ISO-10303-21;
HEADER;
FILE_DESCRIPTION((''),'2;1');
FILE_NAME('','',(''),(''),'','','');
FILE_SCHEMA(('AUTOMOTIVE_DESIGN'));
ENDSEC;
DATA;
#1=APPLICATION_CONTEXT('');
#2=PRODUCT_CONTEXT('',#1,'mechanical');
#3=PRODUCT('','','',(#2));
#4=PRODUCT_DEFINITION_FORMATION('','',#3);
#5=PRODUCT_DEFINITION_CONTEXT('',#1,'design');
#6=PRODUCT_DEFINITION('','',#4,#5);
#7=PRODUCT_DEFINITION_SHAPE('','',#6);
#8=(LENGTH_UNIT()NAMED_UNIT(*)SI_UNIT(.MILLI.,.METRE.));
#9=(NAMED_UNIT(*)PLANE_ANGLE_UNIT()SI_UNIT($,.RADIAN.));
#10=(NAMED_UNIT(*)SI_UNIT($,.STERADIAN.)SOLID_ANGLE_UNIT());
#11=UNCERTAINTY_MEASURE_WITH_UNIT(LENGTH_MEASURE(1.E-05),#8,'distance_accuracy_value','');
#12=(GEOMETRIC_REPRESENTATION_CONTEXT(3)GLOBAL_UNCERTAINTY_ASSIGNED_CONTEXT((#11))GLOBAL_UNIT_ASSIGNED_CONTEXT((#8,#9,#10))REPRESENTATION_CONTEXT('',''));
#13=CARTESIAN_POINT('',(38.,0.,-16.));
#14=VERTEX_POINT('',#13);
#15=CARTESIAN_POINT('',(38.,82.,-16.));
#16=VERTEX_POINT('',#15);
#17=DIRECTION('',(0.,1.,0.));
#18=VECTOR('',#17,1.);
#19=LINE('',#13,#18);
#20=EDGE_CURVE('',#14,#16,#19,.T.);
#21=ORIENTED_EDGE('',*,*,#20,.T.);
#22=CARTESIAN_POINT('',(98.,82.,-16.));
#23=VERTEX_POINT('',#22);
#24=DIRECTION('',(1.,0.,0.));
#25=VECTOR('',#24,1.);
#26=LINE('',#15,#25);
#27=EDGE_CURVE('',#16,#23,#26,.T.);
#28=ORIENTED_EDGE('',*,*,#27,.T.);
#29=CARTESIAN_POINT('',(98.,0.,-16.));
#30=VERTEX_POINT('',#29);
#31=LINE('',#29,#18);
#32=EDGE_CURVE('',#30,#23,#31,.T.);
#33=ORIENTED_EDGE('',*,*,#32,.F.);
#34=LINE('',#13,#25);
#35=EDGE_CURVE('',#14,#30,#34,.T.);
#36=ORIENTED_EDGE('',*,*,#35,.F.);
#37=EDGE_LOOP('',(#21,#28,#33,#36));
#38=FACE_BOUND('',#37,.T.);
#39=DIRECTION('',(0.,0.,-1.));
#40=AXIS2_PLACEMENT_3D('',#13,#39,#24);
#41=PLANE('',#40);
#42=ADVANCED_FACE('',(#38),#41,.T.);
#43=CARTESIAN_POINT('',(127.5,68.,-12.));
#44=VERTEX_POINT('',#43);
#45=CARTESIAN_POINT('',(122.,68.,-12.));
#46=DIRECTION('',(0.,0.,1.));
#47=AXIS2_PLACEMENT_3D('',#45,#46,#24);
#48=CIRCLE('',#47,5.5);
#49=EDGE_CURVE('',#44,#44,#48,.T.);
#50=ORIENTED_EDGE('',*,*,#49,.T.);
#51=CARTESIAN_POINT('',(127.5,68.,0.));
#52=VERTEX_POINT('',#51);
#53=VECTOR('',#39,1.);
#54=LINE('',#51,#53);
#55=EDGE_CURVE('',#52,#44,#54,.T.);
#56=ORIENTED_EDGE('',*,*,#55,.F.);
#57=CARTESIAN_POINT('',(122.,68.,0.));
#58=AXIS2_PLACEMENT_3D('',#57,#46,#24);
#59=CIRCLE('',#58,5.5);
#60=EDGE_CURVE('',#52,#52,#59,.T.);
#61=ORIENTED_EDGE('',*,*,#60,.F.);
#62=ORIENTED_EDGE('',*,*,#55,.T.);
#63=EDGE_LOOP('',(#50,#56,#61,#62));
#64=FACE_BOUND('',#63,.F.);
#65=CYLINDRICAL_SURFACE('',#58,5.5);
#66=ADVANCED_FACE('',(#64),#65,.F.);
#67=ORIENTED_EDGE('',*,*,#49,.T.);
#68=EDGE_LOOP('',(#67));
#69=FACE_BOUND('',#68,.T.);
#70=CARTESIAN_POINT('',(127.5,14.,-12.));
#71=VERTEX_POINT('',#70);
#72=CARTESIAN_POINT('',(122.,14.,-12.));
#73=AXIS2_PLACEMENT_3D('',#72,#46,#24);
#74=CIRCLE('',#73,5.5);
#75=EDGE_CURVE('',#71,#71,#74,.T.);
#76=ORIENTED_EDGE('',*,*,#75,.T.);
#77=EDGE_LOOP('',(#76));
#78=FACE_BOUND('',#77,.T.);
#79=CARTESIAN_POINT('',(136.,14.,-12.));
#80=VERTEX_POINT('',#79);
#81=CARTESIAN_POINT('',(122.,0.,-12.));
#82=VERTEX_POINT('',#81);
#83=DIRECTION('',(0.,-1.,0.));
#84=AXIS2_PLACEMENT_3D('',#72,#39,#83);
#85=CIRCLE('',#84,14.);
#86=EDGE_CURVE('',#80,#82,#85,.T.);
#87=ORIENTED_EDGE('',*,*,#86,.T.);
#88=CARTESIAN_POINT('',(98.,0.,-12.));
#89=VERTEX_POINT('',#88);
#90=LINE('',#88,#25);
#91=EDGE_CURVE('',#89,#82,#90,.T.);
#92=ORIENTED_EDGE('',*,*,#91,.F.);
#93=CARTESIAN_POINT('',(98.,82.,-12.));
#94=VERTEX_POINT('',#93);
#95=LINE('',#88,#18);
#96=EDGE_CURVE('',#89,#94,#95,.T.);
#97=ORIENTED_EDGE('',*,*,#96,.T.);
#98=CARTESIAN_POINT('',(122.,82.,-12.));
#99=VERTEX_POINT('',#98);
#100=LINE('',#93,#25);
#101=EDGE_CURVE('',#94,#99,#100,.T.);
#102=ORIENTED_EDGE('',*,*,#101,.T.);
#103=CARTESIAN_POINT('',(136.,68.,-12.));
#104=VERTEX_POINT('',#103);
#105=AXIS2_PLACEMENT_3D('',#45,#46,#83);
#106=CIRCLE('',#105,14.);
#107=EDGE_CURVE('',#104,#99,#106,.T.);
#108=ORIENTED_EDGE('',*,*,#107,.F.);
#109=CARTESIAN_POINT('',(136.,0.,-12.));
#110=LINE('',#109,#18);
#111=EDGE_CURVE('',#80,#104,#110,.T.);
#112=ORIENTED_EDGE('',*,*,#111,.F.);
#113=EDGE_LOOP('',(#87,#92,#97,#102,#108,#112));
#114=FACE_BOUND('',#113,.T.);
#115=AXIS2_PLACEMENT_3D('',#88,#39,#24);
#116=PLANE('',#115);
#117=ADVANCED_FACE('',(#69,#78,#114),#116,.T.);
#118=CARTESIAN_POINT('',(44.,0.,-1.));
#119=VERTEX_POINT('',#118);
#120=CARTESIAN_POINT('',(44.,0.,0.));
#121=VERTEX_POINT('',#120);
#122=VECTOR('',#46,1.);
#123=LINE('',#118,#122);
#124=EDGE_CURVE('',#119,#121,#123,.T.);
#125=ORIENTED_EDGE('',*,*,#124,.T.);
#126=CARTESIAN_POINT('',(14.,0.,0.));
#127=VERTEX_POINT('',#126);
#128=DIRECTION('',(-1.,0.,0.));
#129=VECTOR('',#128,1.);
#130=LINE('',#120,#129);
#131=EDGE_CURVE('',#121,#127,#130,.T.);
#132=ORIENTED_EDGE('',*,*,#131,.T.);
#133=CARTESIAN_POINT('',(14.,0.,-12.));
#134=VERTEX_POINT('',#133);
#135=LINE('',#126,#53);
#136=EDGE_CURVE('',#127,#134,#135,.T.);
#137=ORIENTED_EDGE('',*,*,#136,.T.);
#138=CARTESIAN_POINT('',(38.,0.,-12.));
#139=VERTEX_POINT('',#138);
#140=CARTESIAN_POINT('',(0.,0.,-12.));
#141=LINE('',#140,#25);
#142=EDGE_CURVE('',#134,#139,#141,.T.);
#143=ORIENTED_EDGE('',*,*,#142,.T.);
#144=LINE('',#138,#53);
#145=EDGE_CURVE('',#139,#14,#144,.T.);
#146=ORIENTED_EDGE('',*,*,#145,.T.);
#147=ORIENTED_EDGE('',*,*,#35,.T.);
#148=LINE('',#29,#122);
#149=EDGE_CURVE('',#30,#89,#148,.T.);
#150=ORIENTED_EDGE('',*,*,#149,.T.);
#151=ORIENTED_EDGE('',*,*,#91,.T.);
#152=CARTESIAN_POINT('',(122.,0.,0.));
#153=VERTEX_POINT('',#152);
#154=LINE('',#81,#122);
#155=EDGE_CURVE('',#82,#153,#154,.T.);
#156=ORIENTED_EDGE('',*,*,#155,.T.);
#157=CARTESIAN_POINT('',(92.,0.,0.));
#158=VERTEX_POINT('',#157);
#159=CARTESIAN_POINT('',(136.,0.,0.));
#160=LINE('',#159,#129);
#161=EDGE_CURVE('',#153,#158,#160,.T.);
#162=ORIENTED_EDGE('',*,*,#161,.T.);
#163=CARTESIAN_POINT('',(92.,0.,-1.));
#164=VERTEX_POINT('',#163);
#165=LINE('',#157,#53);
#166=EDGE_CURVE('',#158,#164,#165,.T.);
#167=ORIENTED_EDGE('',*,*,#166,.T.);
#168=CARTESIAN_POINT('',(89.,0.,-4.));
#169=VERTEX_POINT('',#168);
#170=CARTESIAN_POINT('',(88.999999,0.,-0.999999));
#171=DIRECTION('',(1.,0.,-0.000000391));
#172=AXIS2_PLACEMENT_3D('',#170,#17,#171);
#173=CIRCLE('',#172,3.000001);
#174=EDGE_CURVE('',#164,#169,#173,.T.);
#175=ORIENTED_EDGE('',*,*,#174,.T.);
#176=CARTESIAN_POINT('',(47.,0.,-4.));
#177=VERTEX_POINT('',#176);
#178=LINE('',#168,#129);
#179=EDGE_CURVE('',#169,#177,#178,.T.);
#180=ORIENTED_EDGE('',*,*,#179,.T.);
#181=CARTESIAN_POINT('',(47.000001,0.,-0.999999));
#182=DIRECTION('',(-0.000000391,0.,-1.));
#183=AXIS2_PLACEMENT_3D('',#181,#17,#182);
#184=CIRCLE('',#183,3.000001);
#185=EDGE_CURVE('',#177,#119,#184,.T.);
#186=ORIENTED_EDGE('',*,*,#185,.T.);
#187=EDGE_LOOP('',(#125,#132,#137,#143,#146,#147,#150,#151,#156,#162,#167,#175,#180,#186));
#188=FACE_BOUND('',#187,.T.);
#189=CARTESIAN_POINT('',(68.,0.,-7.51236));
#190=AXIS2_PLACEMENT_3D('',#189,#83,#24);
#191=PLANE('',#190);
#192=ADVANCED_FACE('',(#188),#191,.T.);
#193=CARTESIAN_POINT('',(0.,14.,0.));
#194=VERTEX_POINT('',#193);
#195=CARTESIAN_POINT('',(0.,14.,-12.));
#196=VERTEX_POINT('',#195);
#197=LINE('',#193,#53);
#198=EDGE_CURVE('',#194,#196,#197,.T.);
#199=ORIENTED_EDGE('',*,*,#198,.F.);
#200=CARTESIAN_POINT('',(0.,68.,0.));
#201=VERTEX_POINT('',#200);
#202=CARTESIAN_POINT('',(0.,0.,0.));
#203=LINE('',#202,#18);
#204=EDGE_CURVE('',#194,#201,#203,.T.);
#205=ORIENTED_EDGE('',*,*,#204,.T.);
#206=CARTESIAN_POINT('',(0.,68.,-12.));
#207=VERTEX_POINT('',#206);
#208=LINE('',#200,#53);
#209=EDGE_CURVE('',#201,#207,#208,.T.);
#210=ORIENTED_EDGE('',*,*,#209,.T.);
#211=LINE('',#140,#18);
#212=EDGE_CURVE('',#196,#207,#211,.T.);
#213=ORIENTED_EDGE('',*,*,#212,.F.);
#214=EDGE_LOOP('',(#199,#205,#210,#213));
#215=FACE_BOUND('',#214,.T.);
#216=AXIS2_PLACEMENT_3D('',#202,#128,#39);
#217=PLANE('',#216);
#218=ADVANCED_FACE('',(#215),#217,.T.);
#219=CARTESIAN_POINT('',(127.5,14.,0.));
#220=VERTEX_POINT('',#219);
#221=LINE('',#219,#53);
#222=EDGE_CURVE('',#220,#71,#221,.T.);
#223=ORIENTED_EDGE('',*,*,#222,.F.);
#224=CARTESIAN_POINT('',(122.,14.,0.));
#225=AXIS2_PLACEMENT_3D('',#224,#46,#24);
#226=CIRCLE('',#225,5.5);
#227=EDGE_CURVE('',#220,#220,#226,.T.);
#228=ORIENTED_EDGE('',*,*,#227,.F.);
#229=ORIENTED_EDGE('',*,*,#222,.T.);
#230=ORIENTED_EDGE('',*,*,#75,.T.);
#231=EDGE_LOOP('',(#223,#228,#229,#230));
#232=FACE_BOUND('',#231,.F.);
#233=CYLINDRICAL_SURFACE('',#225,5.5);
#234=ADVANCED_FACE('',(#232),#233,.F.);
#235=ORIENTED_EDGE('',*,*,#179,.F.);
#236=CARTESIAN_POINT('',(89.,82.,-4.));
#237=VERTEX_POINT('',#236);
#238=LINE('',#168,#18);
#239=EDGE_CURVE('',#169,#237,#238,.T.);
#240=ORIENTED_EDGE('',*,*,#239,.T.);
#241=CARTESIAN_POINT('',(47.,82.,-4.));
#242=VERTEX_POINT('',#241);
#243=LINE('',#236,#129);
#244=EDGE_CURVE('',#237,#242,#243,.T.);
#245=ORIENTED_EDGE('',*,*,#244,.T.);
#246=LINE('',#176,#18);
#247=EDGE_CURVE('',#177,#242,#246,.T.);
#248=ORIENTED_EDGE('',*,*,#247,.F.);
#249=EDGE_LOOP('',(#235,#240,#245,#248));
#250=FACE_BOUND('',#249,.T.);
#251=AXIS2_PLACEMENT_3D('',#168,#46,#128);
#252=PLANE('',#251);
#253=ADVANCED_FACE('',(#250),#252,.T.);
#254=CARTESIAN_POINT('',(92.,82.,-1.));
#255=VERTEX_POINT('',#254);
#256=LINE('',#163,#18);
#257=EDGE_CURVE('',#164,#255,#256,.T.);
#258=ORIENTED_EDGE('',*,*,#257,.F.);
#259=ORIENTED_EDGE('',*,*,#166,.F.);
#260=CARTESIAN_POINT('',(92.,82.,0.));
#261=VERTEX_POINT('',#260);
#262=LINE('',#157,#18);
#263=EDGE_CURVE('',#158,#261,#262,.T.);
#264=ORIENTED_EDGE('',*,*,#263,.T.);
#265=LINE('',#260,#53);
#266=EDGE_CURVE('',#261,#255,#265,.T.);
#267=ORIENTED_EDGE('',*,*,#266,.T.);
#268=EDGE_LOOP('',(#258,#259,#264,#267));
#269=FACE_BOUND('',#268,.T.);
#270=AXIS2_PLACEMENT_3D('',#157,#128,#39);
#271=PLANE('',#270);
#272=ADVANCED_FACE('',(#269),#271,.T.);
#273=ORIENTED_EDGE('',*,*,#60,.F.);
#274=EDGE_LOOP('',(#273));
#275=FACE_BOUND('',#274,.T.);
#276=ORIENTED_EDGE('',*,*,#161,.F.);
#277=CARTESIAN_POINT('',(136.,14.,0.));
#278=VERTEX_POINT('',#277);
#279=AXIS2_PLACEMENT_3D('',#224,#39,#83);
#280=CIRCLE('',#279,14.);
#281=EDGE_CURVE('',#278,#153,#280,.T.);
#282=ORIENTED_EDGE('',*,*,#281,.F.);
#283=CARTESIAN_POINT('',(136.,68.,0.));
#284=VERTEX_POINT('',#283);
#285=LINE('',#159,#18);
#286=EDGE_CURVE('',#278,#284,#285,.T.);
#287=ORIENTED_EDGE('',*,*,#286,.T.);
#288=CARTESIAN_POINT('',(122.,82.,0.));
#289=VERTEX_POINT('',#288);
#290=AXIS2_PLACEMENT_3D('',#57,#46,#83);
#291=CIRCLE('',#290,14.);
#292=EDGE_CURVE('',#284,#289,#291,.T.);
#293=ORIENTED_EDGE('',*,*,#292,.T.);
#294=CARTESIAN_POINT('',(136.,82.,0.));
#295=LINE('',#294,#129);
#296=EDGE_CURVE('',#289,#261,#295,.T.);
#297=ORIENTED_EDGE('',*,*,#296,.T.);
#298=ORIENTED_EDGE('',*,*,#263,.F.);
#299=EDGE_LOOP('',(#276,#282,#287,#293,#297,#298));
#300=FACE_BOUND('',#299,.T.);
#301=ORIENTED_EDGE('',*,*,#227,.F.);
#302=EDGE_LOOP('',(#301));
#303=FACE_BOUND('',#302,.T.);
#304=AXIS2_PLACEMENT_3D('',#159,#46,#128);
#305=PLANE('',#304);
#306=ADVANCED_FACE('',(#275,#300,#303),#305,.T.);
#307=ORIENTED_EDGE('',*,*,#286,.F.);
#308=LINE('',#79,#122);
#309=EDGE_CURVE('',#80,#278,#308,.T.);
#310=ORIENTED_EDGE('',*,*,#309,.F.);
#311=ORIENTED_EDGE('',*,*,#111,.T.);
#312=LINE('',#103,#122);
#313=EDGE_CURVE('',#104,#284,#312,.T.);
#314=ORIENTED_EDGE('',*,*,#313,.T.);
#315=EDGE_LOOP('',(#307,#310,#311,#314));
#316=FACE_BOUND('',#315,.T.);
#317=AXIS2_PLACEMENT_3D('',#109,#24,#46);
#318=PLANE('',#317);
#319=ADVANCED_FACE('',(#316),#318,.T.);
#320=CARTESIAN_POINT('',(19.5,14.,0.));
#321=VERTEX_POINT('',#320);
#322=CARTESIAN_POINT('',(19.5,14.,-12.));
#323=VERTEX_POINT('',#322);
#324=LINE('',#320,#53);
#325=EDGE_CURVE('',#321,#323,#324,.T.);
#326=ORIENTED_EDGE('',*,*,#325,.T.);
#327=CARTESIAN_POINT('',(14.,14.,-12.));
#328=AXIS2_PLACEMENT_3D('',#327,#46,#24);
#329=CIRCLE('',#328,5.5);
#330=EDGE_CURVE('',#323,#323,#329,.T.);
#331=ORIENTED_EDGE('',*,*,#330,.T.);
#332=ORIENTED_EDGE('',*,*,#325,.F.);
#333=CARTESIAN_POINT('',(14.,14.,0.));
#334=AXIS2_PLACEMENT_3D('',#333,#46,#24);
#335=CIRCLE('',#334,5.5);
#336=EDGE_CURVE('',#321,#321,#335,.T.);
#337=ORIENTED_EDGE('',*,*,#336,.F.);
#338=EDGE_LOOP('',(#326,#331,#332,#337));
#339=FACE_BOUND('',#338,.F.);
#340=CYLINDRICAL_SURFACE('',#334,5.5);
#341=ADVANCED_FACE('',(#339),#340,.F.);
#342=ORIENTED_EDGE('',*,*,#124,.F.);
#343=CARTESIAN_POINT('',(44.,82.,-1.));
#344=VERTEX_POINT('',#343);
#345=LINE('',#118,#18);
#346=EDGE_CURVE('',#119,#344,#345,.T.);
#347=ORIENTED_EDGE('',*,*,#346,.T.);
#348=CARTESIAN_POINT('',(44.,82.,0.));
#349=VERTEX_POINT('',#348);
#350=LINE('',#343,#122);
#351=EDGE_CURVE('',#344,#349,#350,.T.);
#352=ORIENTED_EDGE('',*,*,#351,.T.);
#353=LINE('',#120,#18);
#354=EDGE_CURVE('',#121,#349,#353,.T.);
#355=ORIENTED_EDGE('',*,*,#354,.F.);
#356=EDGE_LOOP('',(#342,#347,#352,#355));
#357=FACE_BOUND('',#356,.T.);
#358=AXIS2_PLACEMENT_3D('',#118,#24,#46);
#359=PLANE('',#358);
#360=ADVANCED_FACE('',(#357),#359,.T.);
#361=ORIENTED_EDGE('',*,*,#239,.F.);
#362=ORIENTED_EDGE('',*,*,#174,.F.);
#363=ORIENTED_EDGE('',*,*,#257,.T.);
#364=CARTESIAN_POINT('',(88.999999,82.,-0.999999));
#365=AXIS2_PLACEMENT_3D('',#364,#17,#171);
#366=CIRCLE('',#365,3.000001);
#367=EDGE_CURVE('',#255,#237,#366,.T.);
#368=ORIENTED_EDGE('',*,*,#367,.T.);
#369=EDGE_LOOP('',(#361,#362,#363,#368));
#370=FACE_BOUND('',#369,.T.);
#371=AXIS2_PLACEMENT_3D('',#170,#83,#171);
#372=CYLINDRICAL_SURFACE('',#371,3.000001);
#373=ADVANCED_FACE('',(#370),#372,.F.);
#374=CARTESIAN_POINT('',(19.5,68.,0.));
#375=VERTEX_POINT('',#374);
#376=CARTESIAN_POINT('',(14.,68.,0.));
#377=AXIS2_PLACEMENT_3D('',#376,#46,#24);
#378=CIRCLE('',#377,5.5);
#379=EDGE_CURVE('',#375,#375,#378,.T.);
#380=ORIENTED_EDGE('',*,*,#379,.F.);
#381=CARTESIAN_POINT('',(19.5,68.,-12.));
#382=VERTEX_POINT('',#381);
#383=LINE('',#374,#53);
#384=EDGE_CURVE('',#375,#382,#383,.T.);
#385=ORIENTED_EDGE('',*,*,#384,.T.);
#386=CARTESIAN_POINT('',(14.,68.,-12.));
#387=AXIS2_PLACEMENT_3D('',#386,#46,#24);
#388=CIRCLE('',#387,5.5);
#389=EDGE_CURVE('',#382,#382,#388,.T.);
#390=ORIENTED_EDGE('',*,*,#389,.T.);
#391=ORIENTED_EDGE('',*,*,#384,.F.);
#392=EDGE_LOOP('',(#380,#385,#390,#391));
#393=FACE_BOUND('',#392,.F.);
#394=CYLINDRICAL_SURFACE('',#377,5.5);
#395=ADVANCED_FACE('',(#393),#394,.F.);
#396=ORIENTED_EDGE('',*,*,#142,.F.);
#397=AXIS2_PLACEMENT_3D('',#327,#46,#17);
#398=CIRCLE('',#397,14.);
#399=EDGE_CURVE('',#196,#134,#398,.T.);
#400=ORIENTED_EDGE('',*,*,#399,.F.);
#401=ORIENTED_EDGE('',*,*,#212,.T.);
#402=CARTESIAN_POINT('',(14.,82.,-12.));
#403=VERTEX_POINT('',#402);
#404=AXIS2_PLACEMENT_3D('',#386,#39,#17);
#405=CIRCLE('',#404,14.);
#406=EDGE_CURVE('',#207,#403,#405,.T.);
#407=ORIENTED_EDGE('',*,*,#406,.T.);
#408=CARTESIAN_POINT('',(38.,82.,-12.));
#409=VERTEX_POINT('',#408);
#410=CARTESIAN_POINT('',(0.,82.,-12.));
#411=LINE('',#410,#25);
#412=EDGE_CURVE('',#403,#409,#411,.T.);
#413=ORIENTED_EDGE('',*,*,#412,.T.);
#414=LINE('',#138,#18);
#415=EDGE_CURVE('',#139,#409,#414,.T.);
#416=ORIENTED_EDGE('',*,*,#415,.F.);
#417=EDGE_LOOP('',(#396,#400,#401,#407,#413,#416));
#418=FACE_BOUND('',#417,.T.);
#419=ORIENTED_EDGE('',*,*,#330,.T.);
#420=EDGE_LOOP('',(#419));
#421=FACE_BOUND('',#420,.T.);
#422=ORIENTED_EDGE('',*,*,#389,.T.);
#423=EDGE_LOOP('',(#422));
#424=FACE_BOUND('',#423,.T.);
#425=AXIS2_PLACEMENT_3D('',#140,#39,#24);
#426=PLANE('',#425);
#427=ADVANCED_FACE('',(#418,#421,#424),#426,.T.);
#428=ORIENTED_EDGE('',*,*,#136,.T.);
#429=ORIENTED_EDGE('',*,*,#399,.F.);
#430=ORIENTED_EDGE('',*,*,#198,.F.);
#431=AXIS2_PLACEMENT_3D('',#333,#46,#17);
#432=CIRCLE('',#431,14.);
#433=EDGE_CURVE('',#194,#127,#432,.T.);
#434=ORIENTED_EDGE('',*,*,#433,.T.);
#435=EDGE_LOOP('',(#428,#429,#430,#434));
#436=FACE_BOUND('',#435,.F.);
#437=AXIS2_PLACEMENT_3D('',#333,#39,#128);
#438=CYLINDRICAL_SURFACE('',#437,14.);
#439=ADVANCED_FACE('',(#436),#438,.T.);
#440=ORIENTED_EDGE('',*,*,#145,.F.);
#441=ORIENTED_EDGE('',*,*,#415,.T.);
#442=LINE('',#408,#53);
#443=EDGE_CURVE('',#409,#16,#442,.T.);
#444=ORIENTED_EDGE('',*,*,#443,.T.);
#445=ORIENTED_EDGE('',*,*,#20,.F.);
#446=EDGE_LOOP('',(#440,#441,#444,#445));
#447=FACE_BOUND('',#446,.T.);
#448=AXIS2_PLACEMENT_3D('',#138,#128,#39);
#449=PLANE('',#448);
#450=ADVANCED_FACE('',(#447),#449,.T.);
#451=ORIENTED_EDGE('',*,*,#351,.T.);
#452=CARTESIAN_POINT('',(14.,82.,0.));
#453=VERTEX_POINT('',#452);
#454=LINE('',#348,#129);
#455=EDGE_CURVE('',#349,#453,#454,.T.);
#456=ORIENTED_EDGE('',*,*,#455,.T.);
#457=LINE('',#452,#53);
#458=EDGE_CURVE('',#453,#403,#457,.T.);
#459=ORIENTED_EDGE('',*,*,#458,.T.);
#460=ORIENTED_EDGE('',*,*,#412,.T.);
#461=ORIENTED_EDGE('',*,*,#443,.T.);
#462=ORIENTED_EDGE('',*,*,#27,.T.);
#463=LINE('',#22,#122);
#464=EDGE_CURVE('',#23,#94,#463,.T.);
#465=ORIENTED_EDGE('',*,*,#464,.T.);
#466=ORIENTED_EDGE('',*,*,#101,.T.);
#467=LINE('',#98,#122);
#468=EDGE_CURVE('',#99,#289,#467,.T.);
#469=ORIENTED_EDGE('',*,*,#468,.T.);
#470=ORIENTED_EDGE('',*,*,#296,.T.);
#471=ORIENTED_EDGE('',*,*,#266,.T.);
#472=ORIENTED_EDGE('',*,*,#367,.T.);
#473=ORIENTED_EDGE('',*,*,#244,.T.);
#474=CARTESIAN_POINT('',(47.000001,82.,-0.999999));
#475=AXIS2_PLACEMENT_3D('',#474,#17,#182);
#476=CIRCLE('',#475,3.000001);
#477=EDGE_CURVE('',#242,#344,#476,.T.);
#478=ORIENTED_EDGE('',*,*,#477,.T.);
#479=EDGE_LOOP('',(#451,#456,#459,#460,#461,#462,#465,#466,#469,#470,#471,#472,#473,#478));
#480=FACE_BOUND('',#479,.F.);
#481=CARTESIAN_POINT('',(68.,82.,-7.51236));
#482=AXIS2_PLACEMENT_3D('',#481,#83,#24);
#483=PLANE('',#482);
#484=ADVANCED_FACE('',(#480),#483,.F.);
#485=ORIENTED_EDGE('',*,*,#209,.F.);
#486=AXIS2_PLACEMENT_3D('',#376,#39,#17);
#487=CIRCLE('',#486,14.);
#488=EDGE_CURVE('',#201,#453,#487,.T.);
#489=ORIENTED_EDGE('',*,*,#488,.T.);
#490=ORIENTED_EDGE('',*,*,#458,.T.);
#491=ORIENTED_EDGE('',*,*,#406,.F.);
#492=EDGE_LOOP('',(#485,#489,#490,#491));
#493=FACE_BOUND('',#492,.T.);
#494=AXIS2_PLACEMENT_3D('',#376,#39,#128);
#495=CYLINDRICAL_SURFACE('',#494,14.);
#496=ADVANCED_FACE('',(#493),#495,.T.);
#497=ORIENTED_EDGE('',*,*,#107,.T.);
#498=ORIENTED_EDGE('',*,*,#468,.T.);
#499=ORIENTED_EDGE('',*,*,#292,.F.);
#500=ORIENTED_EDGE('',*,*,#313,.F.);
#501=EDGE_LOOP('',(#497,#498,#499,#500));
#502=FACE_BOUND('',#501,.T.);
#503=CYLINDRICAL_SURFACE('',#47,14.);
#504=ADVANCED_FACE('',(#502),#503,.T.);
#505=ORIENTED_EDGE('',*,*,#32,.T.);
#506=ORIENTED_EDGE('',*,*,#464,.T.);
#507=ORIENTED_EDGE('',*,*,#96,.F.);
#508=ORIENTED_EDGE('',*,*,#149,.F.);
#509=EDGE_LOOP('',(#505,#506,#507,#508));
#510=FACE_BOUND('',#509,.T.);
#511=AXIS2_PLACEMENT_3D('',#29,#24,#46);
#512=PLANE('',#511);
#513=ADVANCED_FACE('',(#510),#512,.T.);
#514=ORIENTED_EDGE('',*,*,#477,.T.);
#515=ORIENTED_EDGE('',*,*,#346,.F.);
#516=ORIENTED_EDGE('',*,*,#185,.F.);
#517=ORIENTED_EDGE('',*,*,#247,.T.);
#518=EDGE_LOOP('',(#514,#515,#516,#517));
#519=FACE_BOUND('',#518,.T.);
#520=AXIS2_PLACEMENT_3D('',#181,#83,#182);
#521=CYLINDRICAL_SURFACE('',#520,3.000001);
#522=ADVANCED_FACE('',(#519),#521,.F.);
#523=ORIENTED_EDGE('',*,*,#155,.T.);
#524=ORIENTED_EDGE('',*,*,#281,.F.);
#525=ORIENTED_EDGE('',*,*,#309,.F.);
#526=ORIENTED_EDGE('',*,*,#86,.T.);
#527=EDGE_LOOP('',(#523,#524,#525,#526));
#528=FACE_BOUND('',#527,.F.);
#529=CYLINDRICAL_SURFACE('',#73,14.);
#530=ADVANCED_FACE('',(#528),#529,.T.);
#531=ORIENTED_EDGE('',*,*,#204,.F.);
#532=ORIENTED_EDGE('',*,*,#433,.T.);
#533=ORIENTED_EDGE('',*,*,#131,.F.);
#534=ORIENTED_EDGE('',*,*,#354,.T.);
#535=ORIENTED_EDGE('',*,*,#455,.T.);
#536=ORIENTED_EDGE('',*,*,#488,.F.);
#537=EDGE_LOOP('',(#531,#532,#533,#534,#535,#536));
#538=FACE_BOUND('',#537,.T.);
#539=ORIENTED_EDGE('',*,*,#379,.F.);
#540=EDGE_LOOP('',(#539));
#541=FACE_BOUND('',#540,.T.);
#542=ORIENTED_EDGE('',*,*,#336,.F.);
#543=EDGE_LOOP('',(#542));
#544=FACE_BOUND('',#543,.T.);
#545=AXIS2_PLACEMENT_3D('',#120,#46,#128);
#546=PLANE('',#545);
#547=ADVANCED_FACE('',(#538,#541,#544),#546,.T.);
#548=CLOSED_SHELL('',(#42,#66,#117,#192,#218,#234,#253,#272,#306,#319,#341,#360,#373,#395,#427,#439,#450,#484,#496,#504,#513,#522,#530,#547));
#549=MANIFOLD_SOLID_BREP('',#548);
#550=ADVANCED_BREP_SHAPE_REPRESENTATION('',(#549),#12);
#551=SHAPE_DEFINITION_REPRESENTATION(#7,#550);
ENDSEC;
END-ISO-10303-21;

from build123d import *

# Parameters (mm, degrees)
F1_DEPTH = 82
F2_R     = 14
F3_R     = 5.5
F4_DEPTH = 25


with BuildPart() as f1:
    # F0 (on Front) → F1 (new body)
    with BuildSketch(Plane.XZ):
        with BuildLine():
            Line((44, 0), (0, 0))
            Line((0, 0), (0, -12))
            Line((0, -12), (38, -12))
            Line((38, -12), (38, -16))
            Line((38, -16), (98, -16))
            Line((98, -16), (98, -12))
            Line((98, -12), (136, -12))
            Line((136, -12), (136, 0))
            Line((136, 0), (92, 0))
            Line((92, 0), (92, -1))
            ThreePointArc((92, -1), (91.12132, -3.12132), (89, -4))
            Line((89, -4), (47, -4))
            ThreePointArc((47, -4), (44.87868, -3.12132), (44, -1))
            Line((44, -1), (44, 0))
        make_face()
    extrude(amount=-F1_DEPTH)

    # F2
    f2_edges = [f1.edges().sort_by_distance(p)[0] for p in [
        (0, 82, -6),
        (0, 0, -6),
        (136, 0, -6),
        (136, 82, -6),
    ]]
    fillet(f2_edges, radius=F2_R)

    # F3 (on face) → F4 (cut)
    with BuildSketch(Plane.XY):
        with Locations((14, 68)):
            Circle(F3_R)
        with Locations((14, 14)):
            Circle(F3_R)
        with Locations((122, 14)):
            Circle(F3_R)
        with Locations((122, 68)):
            Circle(F3_R)
    extrude(amount=-F4_DEPTH, mode=Mode.SUBTRACT)


solid = f1.part
